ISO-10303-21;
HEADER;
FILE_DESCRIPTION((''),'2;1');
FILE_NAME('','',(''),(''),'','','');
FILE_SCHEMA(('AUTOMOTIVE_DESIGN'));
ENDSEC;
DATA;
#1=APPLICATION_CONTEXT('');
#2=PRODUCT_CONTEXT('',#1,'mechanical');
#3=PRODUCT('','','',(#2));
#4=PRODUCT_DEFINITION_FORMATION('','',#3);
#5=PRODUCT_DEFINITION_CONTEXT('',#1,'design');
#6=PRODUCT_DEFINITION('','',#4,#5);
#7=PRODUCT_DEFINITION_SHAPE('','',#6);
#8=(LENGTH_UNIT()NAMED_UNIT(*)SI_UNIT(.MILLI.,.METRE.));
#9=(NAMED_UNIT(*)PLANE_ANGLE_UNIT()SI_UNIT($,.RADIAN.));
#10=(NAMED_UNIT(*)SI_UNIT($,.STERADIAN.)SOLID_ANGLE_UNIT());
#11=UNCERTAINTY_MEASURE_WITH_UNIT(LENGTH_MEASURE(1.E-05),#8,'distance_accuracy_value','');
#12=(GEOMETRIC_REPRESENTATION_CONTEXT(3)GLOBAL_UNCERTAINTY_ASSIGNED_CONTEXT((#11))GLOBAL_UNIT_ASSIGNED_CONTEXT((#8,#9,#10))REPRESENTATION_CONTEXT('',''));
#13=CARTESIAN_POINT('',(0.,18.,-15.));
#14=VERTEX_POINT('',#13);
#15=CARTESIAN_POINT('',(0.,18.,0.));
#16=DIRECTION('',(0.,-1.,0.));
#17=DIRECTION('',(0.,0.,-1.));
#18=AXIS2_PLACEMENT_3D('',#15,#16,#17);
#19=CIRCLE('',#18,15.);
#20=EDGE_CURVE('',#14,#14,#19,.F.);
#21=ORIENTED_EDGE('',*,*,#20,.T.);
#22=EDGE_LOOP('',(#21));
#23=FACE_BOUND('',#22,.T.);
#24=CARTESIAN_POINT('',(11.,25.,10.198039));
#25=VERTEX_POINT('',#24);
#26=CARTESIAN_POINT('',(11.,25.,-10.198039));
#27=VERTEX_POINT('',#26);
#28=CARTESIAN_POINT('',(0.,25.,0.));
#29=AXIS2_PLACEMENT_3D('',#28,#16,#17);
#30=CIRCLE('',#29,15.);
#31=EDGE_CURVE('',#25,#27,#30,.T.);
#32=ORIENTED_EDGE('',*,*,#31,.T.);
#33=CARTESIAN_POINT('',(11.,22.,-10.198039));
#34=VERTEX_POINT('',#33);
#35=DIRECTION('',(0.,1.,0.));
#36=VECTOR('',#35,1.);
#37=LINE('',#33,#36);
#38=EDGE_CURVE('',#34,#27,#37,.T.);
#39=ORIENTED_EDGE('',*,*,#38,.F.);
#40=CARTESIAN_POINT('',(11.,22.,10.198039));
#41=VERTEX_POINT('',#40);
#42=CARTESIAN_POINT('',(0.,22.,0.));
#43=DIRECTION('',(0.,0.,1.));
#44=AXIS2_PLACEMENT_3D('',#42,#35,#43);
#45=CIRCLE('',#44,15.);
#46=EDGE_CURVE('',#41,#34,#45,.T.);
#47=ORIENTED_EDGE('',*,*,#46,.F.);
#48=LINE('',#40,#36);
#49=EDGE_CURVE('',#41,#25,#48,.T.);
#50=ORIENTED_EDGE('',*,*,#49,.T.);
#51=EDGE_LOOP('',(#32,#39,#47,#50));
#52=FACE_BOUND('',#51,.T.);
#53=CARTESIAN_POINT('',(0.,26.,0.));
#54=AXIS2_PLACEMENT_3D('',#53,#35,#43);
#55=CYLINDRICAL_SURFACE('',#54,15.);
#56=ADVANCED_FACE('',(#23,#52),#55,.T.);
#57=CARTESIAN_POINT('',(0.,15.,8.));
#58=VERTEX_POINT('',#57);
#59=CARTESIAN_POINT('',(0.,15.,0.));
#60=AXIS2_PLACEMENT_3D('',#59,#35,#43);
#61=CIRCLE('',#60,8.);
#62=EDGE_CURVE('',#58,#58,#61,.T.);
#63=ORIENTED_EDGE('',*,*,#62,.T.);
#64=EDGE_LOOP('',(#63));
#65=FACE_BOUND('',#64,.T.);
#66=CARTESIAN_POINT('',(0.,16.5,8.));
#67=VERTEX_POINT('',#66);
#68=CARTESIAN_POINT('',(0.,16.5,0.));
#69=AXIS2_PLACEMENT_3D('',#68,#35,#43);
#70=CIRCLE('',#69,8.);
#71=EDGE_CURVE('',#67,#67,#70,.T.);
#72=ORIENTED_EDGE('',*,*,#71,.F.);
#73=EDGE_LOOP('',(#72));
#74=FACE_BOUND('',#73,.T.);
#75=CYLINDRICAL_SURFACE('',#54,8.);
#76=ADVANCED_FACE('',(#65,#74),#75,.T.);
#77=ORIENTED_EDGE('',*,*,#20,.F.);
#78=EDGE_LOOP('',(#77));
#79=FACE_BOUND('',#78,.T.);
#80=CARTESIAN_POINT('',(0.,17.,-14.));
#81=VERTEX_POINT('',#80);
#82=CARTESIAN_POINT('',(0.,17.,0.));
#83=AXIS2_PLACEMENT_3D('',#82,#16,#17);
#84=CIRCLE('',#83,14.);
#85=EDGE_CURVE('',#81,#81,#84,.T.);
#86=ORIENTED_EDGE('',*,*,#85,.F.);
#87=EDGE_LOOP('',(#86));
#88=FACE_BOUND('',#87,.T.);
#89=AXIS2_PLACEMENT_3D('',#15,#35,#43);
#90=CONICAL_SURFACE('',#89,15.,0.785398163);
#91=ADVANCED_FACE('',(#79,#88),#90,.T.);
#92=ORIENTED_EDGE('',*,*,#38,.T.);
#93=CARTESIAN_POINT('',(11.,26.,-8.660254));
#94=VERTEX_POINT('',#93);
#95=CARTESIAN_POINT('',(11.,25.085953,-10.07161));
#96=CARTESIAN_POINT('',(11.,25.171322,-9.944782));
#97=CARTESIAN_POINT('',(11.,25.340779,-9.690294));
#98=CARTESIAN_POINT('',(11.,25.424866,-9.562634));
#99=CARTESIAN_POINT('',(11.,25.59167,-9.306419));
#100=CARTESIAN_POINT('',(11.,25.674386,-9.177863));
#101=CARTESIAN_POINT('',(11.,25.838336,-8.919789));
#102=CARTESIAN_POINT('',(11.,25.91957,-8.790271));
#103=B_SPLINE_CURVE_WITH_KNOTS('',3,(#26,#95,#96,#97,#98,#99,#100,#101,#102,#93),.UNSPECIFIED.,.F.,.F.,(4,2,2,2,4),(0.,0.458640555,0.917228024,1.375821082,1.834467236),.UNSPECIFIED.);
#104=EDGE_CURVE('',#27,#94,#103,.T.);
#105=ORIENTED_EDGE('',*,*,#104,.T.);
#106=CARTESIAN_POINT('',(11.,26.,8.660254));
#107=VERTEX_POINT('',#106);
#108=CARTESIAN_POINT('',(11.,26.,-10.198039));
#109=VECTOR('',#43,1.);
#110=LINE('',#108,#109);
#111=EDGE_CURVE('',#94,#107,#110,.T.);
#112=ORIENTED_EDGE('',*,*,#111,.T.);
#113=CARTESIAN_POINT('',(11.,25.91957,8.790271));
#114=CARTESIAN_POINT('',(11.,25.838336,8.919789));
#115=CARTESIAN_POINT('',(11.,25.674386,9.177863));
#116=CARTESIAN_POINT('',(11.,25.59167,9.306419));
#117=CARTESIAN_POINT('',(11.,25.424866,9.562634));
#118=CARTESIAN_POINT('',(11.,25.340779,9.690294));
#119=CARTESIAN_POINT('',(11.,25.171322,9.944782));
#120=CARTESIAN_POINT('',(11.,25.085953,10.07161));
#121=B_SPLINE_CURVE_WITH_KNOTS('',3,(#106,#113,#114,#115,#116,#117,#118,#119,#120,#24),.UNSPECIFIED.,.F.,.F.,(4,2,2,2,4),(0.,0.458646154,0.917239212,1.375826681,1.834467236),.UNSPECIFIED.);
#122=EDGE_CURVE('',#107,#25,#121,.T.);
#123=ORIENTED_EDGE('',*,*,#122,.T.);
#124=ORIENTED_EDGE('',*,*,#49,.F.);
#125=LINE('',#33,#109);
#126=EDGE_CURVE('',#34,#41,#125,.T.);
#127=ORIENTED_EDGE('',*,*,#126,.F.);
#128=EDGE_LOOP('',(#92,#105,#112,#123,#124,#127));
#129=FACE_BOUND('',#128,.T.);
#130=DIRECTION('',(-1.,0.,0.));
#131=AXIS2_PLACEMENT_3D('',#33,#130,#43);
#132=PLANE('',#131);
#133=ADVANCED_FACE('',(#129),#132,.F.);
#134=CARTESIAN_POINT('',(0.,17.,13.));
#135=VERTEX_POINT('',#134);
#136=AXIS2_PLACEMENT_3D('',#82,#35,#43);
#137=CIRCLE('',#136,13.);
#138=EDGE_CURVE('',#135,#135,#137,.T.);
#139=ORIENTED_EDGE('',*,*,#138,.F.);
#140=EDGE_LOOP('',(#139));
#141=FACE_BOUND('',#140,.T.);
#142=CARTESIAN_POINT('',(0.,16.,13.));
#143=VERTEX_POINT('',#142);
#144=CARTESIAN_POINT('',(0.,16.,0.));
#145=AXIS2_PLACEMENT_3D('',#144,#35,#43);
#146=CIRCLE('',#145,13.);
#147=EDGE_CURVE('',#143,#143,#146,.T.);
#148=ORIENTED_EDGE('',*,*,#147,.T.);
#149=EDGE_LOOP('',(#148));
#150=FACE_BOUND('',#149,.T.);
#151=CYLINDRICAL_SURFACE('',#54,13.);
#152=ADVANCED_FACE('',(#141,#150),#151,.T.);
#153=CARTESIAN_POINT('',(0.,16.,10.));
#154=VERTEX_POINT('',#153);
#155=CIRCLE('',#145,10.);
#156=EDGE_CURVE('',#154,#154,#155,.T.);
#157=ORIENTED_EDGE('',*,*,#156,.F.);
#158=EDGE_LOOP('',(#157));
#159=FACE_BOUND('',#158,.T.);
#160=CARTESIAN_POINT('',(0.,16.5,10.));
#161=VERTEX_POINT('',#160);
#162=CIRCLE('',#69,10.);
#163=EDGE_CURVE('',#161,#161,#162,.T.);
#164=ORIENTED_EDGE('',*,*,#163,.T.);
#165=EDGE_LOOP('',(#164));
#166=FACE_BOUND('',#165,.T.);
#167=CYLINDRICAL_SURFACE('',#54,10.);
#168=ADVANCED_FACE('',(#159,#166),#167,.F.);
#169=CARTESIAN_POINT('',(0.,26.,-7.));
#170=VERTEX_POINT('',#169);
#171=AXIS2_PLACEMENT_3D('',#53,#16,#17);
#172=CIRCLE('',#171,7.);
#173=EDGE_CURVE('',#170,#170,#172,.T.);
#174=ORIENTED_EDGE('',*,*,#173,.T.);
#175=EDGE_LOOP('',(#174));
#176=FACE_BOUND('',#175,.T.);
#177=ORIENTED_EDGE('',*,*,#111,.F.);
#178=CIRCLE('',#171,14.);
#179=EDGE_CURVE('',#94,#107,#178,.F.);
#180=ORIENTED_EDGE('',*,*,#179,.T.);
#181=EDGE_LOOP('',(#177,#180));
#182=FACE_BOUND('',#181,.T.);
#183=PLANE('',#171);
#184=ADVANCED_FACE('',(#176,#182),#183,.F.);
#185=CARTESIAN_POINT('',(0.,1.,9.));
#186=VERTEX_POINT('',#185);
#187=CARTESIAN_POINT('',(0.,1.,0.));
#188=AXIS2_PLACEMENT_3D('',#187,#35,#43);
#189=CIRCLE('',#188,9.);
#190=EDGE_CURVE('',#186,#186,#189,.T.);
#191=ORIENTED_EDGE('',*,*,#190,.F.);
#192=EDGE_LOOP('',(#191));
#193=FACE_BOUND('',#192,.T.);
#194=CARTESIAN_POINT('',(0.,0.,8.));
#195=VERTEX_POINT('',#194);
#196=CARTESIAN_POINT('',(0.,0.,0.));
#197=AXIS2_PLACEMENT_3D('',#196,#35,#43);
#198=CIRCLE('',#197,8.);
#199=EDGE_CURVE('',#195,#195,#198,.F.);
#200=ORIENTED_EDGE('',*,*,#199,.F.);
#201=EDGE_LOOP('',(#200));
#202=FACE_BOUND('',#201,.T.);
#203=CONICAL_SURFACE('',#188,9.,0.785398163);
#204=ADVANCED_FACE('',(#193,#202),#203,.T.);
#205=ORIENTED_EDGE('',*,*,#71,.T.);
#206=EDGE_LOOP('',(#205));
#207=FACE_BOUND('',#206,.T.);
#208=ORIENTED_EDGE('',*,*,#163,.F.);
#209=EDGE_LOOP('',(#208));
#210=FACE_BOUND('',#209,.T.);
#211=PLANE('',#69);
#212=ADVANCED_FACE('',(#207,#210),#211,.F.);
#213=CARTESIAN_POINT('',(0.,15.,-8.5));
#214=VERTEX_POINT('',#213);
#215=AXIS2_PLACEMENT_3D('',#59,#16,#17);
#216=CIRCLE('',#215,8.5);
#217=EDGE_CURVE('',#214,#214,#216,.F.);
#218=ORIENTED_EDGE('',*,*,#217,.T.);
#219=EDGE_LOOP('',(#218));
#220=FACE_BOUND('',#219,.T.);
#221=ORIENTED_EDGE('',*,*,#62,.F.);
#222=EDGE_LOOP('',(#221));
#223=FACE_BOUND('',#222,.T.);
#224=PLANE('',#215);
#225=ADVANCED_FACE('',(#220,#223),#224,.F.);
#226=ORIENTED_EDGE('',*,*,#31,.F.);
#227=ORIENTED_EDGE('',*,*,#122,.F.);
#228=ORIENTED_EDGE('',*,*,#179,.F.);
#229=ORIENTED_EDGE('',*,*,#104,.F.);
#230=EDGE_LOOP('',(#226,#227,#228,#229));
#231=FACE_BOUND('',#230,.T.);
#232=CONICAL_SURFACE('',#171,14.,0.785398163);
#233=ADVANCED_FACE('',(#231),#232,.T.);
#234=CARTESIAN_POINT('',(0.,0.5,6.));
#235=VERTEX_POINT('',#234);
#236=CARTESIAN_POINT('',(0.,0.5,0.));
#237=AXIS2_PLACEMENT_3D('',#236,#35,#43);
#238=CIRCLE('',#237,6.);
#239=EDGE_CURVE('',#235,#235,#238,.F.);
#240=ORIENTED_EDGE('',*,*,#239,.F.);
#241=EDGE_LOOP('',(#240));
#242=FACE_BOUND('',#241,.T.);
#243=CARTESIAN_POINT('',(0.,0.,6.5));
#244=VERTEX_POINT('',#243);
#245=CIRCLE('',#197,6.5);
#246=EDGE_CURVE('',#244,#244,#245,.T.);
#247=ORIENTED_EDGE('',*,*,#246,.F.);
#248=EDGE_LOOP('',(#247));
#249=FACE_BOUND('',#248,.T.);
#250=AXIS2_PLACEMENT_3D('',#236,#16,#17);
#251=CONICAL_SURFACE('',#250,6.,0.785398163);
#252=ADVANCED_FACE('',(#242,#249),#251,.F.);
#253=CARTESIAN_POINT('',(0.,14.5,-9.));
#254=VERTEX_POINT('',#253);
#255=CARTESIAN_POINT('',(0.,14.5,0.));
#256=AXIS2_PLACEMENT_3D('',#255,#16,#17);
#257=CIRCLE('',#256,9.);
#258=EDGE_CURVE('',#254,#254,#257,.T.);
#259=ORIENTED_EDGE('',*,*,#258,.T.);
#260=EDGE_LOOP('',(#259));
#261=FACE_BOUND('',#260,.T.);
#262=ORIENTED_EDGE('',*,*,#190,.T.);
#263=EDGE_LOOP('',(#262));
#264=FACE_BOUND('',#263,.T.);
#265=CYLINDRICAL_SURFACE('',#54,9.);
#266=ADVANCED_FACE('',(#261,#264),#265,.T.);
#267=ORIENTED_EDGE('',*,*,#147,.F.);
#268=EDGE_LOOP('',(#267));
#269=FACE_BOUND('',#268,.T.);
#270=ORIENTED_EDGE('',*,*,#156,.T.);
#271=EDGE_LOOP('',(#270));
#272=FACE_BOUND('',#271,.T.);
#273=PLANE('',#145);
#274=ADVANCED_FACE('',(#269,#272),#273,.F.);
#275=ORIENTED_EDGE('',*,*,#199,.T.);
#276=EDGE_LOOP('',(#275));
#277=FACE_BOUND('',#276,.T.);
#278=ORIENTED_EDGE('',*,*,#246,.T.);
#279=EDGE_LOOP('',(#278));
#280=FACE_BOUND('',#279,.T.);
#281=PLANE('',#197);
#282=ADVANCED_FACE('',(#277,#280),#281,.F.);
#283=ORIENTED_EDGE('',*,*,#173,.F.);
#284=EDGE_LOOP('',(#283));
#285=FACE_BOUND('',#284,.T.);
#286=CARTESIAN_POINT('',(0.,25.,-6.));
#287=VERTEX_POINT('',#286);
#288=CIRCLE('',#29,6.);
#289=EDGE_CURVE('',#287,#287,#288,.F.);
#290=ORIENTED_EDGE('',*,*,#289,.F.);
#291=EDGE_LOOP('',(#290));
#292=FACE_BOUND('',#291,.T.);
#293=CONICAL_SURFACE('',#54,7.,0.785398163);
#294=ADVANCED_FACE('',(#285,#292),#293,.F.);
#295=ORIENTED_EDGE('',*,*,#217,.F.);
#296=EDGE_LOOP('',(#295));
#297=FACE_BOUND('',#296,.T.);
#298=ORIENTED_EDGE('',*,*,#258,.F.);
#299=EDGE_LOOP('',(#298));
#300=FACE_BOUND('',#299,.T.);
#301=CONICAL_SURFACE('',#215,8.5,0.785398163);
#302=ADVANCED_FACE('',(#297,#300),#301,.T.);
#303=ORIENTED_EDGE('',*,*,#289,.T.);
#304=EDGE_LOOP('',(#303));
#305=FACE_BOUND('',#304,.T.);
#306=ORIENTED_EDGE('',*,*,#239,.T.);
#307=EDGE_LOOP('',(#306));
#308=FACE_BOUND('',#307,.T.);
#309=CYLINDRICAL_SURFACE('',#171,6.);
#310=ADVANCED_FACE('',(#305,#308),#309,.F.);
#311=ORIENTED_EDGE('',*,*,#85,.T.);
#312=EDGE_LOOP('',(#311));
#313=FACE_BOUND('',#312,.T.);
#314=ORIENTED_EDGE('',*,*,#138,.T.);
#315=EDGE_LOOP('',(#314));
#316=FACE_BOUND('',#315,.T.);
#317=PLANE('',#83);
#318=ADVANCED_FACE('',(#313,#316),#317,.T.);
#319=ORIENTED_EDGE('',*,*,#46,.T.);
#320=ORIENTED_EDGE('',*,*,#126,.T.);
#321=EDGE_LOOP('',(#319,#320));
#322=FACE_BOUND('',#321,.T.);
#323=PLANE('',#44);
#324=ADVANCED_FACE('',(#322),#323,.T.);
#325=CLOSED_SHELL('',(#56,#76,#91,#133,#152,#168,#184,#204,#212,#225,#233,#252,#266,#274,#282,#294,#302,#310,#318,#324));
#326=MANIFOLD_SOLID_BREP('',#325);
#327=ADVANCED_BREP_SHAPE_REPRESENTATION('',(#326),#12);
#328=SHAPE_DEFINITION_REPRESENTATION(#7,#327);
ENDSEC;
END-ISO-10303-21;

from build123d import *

# Parameters (mm, degrees)
SKETCH_2_R          = 6
CUT_EXTRUDE_1_DEPTH = 27
CUT_EXTRUDE_2_DEPTH = 4
CHAMFER_3_SIZE      = 1
CHAMFER_4_SIZE      = 0.5


with BuildPart() as part:
    # 草图1 → 旋转1 (revolve)
    with BuildSketch(Plane.XY):
        Polygon((0, 0), (9, 0), (9, 15), (8, 15), (8, 16), (8, 16.5), (10, 16.5), (10, 16), (13, 16), (13, 17), (15, 17), (15, 26), (0, 26), align=None)
    revolve(axis=Axis((0, 26, 0), (0, -1, 0)))

    # 草图2 → 切除-拉伸1 (cut, through all)
    with BuildSketch(Plane.XZ):
        Circle(SKETCH_2_R)
    extrude(amount=-CUT_EXTRUDE_1_DEPTH, mode=Mode.SUBTRACT)

    # 草图3 → 切除-拉伸2 (cut)
    with BuildSketch(Plane(origin=(0, 26, 0), x_dir=(1, 0, 0), z_dir=(0, 1, 0))):
        with BuildLine():
            Line((11, 10.198039027), (11, -10.198039027))
            ThreePointArc((11, -10.198039027), (15, 0), (11, 10.198039027))
        make_face()
    extrude(amount=-CUT_EXTRUDE_2_DEPTH, mode=Mode.SUBTRACT)

    # 倒角3
    chamfer_3_edges = [part.edges().sort_by_distance(p)[0] for p in [
        (-9, 0, 0),
        (-15, 17, 0),
        (-6, 26, 0),
        (-15, 26, 0),
    ]]
    chamfer(chamfer_3_edges, length=CHAMFER_3_SIZE)

    # 倒角4
    chamfer_4_edges = [part.edges().sort_by_distance(p)[0] for p in [
        (-9, 15, 0),
        (-6, 0, 0),
    ]]
    chamfer(chamfer_4_edges, length=CHAMFER_4_SIZE)


solid = part.part
